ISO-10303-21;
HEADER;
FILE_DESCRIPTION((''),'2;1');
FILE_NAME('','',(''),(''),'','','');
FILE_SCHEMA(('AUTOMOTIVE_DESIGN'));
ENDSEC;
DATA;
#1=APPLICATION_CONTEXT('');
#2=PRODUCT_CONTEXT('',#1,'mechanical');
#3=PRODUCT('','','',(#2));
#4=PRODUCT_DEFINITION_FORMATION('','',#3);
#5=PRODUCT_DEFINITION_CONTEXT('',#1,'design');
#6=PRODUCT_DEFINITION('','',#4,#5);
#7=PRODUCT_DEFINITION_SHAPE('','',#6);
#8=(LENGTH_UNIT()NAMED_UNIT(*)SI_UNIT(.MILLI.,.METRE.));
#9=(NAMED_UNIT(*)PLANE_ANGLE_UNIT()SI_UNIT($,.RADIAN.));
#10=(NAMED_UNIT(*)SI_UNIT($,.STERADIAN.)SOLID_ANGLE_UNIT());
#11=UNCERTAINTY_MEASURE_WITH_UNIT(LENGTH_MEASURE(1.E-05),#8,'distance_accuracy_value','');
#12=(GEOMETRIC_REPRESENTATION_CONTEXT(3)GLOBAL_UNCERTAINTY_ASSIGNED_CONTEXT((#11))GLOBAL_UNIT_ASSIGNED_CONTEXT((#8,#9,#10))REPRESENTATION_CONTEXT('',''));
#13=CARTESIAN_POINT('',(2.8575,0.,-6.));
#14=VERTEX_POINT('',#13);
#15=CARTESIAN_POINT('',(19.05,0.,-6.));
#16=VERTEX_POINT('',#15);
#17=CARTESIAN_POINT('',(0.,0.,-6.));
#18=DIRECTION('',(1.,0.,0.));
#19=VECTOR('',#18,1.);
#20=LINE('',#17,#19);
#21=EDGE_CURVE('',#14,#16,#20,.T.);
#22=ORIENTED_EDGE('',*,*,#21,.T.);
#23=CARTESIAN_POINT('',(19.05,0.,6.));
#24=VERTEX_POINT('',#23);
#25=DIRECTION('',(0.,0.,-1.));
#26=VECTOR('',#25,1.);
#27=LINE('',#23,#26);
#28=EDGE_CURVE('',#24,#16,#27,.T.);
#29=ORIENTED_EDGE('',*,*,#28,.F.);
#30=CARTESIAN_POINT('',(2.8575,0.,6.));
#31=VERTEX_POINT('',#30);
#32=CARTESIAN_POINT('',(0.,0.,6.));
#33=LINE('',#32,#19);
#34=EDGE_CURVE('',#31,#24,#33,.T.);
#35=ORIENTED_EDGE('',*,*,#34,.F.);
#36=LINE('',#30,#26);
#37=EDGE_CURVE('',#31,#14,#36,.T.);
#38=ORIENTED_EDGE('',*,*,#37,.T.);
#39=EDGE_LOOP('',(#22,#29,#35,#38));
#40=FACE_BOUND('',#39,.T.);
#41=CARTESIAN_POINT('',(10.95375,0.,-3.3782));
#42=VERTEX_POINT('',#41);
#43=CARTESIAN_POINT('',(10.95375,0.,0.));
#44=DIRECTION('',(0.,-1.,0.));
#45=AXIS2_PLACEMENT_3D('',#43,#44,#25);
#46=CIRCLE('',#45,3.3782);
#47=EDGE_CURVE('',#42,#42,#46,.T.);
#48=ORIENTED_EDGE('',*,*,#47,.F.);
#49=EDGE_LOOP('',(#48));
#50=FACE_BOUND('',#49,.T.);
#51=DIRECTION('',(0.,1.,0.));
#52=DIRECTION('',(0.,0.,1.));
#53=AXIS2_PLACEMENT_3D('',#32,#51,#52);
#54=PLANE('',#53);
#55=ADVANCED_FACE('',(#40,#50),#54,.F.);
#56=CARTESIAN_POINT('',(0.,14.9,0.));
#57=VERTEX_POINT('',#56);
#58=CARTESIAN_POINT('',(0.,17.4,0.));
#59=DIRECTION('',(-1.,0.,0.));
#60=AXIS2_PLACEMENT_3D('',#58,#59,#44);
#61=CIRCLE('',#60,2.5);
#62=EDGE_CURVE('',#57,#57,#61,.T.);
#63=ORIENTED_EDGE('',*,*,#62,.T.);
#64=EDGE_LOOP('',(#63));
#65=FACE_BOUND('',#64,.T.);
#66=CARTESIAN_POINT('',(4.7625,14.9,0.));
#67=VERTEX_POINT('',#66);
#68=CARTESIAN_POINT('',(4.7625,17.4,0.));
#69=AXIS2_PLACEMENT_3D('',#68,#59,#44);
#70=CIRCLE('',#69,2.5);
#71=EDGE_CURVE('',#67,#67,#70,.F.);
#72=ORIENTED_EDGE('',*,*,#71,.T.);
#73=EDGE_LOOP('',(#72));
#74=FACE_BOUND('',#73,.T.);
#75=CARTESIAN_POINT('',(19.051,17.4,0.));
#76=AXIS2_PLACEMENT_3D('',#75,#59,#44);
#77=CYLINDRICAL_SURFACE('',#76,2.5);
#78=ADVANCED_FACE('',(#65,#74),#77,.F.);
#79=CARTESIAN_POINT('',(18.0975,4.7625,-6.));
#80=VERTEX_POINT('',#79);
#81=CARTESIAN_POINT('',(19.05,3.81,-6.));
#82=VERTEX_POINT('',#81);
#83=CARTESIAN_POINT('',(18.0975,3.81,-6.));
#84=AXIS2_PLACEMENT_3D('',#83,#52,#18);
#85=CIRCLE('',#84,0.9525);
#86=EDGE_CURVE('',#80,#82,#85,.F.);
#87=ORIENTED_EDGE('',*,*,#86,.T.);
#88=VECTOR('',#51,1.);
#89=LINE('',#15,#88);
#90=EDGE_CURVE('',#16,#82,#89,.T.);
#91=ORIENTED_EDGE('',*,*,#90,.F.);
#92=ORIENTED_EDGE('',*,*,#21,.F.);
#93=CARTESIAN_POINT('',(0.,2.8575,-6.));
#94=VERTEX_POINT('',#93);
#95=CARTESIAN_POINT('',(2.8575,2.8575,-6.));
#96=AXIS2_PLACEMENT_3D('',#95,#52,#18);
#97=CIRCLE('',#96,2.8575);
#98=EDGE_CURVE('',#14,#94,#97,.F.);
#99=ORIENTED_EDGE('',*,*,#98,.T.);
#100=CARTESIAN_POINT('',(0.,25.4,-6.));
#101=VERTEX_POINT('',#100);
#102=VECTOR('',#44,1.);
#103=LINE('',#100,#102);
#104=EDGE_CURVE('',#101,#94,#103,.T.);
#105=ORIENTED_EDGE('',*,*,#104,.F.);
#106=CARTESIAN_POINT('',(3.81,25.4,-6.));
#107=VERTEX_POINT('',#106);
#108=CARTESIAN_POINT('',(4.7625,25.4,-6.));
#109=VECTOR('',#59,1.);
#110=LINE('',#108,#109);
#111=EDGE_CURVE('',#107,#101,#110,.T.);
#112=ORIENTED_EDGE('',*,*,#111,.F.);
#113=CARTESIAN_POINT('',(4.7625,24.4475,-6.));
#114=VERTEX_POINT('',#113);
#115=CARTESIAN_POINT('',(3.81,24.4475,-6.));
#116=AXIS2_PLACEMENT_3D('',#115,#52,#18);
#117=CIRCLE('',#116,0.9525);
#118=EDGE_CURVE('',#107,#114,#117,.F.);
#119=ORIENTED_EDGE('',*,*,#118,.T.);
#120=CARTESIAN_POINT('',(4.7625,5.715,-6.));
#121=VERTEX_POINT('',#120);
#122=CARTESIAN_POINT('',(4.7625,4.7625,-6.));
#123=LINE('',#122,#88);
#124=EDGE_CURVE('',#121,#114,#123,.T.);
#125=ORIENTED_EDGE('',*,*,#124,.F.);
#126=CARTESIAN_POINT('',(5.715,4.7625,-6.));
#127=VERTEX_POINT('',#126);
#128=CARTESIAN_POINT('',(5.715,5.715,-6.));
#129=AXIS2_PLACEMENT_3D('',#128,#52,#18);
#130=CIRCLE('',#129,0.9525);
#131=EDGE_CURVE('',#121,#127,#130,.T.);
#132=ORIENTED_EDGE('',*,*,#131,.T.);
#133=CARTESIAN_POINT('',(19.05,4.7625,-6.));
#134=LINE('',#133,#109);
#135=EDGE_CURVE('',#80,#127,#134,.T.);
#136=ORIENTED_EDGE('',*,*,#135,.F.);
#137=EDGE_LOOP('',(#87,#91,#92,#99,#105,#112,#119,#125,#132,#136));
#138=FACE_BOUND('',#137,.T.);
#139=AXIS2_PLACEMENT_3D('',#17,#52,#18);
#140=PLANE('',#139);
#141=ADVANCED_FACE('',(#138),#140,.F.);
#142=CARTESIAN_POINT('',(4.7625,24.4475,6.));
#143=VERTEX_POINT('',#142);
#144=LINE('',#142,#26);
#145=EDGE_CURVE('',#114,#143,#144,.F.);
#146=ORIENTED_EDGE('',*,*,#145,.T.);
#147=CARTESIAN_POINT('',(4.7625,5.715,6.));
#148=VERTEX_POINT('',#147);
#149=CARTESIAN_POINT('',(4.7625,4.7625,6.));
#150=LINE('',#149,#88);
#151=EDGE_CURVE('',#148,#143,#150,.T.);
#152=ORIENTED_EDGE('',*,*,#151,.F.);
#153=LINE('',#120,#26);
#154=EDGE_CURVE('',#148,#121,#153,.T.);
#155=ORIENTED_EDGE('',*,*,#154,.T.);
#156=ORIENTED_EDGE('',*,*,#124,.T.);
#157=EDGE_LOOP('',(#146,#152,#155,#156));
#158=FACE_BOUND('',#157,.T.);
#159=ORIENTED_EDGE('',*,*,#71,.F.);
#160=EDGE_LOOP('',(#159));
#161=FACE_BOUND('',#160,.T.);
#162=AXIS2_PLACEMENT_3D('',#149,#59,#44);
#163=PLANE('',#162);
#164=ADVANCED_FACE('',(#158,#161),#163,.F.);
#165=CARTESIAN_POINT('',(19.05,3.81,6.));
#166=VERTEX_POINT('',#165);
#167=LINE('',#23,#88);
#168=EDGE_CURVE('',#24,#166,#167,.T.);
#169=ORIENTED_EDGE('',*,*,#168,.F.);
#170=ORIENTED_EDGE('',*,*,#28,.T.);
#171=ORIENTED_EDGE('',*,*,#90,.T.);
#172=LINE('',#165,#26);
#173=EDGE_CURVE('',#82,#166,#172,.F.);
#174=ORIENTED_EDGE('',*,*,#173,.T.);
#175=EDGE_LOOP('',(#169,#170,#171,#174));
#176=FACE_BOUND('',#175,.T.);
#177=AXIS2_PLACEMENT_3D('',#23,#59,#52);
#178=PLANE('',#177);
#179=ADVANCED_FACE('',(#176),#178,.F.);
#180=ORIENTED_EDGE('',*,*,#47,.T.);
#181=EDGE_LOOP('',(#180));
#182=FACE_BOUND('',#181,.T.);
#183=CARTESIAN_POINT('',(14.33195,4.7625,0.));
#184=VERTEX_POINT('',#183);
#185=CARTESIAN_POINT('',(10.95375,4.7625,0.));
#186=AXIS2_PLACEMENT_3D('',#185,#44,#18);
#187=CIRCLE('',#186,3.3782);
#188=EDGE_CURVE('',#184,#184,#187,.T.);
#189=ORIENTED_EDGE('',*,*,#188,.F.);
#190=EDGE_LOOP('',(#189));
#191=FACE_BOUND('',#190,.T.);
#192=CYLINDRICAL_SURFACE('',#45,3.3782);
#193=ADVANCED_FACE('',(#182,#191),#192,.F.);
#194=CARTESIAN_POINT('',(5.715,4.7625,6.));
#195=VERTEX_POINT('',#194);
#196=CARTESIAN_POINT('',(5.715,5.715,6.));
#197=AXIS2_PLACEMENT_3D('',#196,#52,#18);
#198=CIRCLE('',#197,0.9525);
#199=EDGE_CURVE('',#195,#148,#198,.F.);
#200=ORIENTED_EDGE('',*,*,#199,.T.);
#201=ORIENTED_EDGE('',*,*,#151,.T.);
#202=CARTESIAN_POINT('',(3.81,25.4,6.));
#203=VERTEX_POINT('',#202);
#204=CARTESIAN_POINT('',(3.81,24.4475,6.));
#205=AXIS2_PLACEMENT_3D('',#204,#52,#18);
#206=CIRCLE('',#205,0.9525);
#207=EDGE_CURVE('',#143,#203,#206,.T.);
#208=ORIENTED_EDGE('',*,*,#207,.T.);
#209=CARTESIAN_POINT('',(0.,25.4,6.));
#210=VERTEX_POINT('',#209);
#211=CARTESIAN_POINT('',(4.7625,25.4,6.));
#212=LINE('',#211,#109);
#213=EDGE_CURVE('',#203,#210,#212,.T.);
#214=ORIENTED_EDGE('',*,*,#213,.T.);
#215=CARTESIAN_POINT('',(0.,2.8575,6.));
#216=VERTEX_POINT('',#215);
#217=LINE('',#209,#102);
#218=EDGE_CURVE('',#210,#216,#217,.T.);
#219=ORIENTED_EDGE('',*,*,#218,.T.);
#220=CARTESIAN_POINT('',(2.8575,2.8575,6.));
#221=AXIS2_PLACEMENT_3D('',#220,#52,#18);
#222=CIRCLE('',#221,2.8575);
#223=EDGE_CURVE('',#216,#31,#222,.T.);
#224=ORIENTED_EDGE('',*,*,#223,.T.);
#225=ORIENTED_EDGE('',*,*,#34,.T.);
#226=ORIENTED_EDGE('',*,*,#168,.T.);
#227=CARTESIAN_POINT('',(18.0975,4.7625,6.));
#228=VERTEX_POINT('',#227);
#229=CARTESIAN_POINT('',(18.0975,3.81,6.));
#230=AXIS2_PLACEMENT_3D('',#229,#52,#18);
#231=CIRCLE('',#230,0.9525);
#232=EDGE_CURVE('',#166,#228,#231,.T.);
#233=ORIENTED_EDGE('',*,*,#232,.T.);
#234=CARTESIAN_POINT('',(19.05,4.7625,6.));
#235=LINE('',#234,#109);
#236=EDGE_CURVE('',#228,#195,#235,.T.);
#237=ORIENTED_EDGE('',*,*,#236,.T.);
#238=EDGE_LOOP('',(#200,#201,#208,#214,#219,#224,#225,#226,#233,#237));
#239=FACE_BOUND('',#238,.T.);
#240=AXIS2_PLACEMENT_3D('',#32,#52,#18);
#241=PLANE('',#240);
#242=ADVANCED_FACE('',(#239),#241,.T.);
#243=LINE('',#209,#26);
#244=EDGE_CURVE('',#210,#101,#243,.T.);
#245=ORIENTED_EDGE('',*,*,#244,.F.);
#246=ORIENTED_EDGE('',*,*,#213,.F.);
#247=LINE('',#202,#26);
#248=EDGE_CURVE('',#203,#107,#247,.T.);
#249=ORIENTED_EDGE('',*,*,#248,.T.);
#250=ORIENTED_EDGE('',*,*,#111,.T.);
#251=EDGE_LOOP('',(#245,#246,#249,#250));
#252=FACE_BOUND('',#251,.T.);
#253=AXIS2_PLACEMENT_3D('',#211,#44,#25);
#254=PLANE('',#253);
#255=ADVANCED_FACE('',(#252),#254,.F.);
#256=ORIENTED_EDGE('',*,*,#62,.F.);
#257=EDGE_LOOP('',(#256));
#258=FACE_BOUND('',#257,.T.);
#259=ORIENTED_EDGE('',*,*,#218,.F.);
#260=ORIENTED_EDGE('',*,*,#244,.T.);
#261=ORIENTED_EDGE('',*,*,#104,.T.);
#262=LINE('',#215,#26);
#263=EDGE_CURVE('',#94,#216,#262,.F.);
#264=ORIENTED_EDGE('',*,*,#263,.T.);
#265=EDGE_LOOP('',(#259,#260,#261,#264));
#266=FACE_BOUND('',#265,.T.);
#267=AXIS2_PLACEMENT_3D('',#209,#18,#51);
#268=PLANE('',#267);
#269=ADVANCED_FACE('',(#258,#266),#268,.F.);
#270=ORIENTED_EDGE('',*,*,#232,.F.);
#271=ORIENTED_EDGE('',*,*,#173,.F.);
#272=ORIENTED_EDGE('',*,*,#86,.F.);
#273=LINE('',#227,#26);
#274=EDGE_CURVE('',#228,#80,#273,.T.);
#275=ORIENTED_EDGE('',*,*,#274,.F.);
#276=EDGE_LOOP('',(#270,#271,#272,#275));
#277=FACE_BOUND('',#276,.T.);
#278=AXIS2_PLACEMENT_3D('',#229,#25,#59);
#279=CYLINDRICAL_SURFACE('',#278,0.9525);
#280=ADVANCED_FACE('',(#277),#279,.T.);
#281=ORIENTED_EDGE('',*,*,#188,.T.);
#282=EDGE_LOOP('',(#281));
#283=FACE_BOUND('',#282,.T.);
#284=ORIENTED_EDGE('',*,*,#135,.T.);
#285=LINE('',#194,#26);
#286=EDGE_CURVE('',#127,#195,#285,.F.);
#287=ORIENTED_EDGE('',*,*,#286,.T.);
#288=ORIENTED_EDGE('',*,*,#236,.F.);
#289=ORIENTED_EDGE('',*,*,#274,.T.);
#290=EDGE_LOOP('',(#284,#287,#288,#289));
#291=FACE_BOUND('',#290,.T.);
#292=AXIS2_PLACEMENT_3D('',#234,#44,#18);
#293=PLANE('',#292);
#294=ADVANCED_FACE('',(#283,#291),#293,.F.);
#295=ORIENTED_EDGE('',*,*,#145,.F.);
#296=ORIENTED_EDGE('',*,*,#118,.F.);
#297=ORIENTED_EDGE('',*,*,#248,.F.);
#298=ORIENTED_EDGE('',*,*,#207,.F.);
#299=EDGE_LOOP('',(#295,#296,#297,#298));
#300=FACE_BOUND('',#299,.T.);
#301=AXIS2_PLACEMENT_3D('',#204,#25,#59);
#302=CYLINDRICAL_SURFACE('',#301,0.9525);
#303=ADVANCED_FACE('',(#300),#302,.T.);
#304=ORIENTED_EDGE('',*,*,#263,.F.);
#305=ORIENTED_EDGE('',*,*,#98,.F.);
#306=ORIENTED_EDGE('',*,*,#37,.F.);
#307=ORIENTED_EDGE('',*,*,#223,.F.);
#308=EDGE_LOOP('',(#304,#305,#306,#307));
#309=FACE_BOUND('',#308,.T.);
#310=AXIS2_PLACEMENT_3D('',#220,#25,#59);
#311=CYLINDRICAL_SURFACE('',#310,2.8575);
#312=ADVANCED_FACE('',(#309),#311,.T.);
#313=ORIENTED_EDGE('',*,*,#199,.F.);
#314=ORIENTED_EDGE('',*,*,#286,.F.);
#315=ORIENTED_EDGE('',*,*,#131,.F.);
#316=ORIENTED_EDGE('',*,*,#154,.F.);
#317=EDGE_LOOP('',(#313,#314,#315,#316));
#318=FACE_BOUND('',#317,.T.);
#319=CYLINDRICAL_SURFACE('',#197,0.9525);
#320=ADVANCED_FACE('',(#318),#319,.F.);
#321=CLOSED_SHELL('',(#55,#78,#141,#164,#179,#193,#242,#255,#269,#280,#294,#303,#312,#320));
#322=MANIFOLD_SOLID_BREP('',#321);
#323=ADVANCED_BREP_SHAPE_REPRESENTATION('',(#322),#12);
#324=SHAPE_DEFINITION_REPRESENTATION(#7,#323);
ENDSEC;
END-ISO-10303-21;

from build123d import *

# Parameters (mm, degrees)
BOSS_EXTRUDE1_DEPTH     = 6
FILLET1_R               = 0.9525
FILLET2_R               = 2.8575
F_1_4_CLEARANCE_HOLE1_D = 6.7564
CUT_EXTRUDE1_REACH      = 34.312
SKETCH7_R               = 2.5


with BuildPart() as part:
    # Sketch3 → Boss-Extrude1 (new, symmetric)
    with BuildSketch(Plane.XY):
        Polygon((4.7625, 25.4), (0, 25.4), (0, 0), (19.05, 0), (19.05, 4.7625), (4.7625, 4.7625), align=None)
    extrude(amount=BOSS_EXTRUDE1_DEPTH, both=True)

    # Fillet1
    fillet1_edges = [part.edges().sort_by_distance(p)[0] for p in [
        (4.7625, 4.7625, 0),
        (19.05, 4.7625, 0),
        (4.7625, 25.4, 0),
    ]]
    fillet(fillet1_edges, radius=FILLET1_R)

    # Fillet2
    fillet2_edges = [part.edges().sort_by_distance(p)[0] for p in [
        (0, 0, 0),
    ]]
    fillet(fillet2_edges, radius=FILLET2_R)

    # 1/4 Clearance Hole1 (through all)
    with Locations(Plane(origin=(0, 0, 0), x_dir=(-1, 0, 0), z_dir=(0, -1, 0))):
        with Locations((-10.95375, 0)):
            Hole(F_1_4_CLEARANCE_HOLE1_D / 2)

    # Sketch7 → Cut-Extrude1 (cut, up to next)
    with BuildSketch(Plane.ZY, mode=Mode.PRIVATE) as cut_extrude1_sk1:
        with Locations(Location((0, 17.4, 0), (0, 0, 270))):
            Circle(SKETCH7_R)
    cut_extrude1_tool1 = extrude(cut_extrude1_sk1.sketch, amount=-CUT_EXTRUDE1_REACH, mode=Mode.PRIVATE) & part.part
    add(cut_extrude1_tool1.solids().sort_by_distance((0, 17.4, 0))[0], mode=Mode.SUBTRACT)


solid = part.part
